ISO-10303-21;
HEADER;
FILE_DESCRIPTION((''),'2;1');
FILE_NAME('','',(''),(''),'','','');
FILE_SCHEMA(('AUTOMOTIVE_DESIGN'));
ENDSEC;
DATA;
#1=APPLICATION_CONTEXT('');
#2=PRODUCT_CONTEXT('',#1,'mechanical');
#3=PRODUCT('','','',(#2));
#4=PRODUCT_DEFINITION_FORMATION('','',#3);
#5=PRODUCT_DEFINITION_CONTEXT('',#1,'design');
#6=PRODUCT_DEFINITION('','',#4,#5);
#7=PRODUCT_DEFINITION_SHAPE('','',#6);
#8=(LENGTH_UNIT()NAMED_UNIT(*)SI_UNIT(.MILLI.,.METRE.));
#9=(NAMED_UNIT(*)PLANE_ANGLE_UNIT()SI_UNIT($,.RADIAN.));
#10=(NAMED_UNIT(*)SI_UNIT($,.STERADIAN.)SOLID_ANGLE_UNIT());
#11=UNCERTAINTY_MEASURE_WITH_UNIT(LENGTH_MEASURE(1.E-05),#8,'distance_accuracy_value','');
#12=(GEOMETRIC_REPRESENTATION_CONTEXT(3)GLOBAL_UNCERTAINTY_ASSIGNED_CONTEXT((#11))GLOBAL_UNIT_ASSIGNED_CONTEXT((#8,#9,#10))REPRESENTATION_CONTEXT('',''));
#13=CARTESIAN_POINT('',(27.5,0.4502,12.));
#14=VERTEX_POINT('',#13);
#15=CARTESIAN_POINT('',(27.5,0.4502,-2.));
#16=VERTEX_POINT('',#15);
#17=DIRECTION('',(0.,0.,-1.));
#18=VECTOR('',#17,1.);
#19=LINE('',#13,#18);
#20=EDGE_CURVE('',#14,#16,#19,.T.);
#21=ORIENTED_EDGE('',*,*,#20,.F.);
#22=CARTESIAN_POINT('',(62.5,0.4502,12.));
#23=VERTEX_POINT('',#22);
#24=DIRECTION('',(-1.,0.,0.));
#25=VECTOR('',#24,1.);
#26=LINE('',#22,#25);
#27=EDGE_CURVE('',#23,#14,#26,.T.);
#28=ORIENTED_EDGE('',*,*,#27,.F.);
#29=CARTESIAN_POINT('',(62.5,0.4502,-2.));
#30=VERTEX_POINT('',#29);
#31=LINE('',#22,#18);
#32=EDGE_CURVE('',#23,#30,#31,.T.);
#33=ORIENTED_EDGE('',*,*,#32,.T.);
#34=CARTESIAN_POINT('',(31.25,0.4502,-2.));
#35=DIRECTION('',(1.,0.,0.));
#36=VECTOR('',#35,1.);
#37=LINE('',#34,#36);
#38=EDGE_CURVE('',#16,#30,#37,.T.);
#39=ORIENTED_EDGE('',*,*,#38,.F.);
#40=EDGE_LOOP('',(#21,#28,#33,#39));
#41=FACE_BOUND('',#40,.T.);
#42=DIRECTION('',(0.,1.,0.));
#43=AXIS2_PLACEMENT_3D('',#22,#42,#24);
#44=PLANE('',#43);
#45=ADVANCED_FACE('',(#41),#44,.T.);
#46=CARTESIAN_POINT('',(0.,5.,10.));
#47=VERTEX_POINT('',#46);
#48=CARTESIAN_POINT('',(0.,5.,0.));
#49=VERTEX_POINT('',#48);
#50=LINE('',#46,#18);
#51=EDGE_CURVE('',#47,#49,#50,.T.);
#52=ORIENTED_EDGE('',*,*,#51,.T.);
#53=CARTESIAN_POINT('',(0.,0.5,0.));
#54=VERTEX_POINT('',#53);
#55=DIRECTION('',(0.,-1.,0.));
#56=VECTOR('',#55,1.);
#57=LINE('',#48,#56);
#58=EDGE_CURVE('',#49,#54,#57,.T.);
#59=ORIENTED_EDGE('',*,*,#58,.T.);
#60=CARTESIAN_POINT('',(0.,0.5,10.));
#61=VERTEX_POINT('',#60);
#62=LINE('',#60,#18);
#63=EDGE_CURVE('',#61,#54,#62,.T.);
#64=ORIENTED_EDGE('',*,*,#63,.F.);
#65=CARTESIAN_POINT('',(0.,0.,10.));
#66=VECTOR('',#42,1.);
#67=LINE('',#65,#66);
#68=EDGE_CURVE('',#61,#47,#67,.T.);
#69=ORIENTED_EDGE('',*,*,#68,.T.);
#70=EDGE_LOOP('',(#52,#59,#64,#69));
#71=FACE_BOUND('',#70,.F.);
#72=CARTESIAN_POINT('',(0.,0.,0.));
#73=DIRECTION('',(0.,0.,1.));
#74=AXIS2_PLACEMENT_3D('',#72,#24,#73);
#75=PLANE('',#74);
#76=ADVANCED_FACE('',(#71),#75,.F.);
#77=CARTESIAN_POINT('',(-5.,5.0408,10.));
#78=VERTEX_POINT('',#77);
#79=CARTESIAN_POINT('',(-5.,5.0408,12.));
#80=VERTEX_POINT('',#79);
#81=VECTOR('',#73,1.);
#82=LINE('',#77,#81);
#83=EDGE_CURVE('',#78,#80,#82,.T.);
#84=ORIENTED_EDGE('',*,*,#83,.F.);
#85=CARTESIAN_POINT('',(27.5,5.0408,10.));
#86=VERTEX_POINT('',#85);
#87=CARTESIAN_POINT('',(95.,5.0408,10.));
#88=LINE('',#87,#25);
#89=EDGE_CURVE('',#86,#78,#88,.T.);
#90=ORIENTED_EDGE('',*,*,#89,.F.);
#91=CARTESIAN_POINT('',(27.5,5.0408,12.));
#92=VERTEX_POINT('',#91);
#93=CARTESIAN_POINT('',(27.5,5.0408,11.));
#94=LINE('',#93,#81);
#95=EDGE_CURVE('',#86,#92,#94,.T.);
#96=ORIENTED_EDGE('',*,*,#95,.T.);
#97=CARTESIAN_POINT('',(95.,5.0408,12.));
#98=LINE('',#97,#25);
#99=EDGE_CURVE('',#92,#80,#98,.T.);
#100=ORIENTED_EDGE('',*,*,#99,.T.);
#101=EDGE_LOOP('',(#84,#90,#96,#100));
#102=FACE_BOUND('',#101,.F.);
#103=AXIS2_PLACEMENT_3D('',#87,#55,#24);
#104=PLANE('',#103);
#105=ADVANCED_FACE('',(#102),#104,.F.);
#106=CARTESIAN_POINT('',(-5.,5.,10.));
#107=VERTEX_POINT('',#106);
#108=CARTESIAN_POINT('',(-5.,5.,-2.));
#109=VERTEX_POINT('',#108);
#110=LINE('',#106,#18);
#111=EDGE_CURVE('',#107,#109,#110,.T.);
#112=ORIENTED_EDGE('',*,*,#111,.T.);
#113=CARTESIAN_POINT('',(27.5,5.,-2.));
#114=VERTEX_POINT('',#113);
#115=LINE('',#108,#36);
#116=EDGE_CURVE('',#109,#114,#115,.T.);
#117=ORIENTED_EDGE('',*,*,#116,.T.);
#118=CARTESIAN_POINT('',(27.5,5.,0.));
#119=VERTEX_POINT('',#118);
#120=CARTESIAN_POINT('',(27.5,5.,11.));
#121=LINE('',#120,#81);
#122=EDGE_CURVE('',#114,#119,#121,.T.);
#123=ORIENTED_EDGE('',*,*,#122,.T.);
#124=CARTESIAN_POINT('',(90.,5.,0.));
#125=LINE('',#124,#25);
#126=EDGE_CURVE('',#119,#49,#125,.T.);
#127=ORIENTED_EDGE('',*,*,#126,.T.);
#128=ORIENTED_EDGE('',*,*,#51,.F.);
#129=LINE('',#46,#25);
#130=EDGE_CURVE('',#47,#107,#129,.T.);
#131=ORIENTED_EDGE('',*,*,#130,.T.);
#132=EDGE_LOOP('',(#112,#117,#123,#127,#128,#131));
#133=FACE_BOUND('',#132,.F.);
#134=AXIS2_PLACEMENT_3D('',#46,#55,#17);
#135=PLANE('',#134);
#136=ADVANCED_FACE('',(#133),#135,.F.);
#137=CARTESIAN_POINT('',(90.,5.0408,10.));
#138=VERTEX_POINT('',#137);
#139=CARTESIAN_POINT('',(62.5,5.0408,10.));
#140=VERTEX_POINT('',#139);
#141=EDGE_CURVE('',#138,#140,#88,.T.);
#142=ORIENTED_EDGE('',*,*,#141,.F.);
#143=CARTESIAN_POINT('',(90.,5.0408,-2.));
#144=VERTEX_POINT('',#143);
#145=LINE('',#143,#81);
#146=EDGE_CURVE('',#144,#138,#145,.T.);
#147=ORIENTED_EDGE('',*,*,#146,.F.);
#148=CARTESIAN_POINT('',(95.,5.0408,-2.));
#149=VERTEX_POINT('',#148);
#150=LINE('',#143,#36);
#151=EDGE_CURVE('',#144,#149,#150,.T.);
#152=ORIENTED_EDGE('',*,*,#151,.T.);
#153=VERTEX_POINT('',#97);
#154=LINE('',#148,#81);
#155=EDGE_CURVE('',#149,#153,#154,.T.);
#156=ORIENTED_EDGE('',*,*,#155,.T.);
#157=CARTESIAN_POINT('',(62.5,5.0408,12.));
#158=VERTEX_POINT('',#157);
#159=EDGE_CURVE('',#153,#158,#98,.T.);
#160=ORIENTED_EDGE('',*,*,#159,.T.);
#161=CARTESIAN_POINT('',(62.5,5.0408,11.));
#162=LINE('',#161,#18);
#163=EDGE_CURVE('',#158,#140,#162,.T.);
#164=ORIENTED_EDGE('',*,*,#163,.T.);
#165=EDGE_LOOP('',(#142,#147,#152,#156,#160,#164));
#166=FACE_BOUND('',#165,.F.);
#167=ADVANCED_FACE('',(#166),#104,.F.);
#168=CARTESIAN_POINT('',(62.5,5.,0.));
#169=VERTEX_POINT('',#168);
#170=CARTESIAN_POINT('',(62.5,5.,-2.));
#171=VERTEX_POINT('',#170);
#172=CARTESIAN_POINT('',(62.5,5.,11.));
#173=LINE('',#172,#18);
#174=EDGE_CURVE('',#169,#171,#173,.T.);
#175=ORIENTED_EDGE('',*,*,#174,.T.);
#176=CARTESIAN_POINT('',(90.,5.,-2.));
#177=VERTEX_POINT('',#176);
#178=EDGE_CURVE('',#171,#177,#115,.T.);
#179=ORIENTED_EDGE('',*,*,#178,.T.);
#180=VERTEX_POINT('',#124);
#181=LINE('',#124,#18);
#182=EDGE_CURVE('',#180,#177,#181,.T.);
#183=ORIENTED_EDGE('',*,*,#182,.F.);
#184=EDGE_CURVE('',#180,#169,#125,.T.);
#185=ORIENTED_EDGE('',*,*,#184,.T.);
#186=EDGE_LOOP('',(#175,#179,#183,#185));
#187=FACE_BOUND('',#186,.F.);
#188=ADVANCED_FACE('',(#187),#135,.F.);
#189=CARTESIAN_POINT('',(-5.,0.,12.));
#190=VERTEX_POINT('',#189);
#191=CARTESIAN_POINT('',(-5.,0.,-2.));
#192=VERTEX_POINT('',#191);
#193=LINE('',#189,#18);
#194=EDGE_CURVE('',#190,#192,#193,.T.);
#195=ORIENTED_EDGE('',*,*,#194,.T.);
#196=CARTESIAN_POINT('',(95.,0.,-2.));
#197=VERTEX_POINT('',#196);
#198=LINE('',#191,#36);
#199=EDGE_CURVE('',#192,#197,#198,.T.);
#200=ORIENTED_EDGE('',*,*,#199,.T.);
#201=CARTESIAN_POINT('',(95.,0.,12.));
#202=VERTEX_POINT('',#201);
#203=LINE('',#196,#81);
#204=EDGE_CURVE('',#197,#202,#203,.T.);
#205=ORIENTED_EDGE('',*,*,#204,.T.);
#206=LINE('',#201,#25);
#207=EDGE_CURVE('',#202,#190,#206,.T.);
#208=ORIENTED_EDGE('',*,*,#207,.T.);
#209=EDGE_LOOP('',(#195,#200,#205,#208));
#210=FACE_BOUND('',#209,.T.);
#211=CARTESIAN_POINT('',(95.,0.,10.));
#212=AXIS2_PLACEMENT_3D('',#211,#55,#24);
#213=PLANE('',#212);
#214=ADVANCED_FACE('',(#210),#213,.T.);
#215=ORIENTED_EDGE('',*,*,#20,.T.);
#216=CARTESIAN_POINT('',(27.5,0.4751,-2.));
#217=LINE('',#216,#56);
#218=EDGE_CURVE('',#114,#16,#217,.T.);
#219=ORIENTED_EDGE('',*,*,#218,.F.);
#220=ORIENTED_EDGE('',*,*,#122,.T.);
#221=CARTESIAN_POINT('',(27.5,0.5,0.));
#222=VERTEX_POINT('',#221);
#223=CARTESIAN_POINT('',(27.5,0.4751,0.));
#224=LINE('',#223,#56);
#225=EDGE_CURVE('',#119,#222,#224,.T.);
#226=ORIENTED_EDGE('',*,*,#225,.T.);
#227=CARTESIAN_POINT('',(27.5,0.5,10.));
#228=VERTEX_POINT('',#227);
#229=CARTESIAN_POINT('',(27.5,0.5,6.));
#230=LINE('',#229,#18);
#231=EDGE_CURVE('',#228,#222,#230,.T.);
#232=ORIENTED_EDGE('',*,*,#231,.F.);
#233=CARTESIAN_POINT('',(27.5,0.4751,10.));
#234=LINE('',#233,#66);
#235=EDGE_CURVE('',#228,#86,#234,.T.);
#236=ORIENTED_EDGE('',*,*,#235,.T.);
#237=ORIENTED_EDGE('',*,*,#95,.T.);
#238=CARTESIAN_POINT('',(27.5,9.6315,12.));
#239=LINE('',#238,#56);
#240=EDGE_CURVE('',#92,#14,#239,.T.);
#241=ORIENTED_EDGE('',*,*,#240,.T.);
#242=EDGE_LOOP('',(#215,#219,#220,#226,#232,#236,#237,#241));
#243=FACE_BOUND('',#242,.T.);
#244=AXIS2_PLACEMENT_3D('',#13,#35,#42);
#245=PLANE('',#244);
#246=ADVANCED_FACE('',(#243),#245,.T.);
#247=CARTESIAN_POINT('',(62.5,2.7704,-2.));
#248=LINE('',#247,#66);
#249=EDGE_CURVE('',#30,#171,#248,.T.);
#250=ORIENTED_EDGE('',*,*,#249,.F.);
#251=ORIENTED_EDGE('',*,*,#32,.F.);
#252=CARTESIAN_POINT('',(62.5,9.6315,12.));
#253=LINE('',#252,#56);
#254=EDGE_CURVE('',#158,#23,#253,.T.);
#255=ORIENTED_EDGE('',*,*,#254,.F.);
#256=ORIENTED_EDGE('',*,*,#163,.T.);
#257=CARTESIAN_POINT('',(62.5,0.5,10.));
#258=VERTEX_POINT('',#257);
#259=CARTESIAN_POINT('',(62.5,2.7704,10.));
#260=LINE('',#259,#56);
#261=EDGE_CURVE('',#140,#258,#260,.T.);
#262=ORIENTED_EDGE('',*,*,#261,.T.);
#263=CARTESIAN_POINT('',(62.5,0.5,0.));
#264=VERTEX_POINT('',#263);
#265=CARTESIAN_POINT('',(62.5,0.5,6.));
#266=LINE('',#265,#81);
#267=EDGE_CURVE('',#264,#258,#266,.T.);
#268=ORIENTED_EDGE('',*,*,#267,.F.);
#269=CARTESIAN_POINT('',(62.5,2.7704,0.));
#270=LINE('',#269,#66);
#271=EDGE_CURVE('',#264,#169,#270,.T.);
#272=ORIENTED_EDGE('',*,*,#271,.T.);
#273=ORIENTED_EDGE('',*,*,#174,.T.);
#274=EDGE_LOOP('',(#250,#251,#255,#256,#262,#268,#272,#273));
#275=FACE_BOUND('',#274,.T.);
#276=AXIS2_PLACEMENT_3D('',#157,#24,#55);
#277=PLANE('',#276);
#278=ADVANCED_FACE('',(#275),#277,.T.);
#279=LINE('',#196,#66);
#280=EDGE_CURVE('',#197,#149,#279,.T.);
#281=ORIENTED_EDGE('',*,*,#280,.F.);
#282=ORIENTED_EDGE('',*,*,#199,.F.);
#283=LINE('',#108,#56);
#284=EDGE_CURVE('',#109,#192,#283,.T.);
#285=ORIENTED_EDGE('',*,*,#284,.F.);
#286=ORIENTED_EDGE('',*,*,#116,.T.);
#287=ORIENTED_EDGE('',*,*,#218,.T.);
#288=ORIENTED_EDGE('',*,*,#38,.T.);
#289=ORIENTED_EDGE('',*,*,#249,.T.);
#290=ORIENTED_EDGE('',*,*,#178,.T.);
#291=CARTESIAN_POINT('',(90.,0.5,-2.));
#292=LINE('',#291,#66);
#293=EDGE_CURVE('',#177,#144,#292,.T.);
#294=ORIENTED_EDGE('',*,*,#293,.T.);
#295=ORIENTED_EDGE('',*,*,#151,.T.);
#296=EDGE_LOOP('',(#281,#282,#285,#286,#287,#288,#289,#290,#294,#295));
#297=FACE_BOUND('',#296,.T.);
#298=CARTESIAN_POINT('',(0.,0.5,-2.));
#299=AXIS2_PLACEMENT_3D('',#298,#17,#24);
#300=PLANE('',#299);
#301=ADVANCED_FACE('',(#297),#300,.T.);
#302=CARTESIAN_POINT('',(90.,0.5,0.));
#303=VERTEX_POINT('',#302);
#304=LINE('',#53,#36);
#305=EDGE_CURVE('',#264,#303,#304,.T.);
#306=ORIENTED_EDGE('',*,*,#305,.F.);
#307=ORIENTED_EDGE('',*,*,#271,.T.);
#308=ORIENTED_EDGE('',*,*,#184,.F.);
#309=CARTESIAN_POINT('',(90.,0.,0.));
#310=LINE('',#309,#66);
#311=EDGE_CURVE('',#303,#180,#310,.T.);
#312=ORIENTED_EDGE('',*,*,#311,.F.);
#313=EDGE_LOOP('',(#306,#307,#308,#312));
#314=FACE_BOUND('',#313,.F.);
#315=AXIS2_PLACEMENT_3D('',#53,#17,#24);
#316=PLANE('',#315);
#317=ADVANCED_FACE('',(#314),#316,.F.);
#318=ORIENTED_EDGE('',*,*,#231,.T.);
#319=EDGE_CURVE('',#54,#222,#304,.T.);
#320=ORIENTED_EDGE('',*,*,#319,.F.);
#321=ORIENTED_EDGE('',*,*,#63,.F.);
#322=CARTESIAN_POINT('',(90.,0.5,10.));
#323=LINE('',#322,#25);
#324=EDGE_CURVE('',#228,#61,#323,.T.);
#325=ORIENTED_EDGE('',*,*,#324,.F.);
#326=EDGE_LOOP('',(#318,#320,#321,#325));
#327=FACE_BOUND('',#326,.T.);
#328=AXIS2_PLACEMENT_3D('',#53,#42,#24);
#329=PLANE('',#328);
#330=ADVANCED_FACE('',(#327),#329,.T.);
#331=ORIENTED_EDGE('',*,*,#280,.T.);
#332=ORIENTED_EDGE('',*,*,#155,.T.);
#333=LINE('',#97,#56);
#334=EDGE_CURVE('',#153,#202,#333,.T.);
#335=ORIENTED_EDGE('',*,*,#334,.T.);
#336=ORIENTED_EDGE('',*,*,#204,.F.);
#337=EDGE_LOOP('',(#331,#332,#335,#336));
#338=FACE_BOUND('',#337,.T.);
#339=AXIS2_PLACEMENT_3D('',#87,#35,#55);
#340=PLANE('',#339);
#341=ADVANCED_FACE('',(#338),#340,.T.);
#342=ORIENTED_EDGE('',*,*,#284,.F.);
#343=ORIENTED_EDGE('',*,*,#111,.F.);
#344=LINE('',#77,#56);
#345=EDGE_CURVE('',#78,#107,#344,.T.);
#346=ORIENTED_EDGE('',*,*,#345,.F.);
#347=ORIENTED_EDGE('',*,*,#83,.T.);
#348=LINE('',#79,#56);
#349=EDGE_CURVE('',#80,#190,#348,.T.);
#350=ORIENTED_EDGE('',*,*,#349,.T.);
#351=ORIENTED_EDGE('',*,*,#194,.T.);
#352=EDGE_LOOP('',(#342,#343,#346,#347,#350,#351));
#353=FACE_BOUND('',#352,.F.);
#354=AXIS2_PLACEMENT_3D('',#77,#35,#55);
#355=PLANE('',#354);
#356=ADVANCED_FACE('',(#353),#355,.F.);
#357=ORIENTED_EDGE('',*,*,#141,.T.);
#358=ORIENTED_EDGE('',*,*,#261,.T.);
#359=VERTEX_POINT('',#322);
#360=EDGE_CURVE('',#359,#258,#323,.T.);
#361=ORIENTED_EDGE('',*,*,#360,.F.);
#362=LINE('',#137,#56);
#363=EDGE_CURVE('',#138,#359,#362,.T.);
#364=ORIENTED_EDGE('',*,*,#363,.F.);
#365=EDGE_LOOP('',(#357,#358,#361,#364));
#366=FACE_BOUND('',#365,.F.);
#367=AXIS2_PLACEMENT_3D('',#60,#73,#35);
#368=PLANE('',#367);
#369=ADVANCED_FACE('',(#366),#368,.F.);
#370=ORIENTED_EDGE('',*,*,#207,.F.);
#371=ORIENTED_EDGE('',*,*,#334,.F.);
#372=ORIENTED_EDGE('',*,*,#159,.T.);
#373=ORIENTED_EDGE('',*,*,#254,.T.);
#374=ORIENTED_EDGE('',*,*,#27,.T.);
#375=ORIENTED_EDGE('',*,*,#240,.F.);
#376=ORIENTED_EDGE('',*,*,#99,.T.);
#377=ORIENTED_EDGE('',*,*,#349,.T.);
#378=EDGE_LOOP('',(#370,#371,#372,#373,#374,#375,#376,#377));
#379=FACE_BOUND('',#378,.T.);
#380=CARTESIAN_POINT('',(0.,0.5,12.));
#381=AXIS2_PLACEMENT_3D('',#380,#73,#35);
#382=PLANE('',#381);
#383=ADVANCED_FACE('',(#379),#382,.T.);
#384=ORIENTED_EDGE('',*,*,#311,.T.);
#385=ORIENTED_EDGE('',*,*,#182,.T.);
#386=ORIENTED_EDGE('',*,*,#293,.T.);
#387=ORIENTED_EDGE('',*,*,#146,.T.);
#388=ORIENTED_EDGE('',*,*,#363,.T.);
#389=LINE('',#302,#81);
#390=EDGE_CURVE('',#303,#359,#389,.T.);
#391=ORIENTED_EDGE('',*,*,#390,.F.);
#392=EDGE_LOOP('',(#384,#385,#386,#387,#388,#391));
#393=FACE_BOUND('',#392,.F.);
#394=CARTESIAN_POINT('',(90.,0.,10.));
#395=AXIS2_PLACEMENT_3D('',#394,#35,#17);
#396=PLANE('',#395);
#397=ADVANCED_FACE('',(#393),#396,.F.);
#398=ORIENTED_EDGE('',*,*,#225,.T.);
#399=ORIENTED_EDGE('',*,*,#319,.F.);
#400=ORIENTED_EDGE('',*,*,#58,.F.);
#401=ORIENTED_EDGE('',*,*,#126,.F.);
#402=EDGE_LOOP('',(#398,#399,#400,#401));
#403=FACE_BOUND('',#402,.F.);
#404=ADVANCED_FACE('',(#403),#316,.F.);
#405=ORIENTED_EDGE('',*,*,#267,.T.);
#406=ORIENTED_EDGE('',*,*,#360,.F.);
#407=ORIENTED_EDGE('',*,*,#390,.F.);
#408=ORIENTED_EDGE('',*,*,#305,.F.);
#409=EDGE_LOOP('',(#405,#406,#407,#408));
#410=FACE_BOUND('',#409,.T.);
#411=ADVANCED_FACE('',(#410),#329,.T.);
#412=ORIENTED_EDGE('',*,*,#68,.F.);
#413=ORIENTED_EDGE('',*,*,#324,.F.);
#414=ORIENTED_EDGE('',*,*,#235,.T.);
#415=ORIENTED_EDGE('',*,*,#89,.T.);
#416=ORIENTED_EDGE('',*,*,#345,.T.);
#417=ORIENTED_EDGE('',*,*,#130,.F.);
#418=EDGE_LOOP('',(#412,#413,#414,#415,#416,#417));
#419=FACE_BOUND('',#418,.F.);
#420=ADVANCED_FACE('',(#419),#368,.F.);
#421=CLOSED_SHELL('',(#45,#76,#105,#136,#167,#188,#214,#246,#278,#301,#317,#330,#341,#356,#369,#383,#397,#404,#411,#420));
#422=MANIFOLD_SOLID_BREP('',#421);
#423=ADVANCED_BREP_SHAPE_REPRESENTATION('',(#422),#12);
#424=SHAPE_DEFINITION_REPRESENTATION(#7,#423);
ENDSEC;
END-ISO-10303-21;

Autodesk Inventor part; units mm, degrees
ref_plane "YZ Plane" through (0, 0, 0) normal (1, 0, 0) x (0, 1, 0)
ref_plane "XZ Plane" through (0, 0, 0) normal (0, 1, 0) x (-1, 0, 0)
ref_plane "XY Plane" through (0, 0, 0) normal (0, 0, 1) x (1, 0, 0)
sketch "スケッチ1" plane through (0, 0, 0) normal (0, 1, 0) x (-1, 0, 0)
  line L0 (0, 0) -> (-90, 0)
  line L1 (-90, 0) -> (-90, 10)
  line L2 (-90, 10) -> (0, 10)
  line L3 (0, 10) -> (0, 0)
  dimension "d0" = 90
  dimension "d1" = 10
extrude "押し出し1" add sketch "スケッチ1" along normal blind 0.5
sketch "スケッチ2" plane through (0, 0, 0) normal (-1, 0, 0) x (0, 0, 1)
  line L0 (10, 0) -> (0, 0) projected
  line L1 (10, 0) -> (10, 0.5) projected
  line L2 (0, 0.5) -> (10, 0.5) projected
  line L3 (0, 0) -> (0, 0.5) projected
  line L4 (0, 0) -> (10, 0)
  line L5 (10, 0) -> (10, 5)
  line L6 (10, 5) -> (0, 5)
  line L7 (0, 5) -> (0, 0)
  dimension "d4" = 5
extrude "押し出し2" add sketch "スケッチ2" along normal blind 5 contours L2 L7 L6 L5
sketch "スケッチ3" plane through (0, 0, 0) normal (-1, 0, 0) x (0, 0, 1)
  line L0 (10, 0) -> (0, 0) projected
  line L1 (10, 0) -> (10, 0.5) projected
  line L2 (0, 0.5) -> (10, 0.5) projected
  line L3 (0, 0) -> (0, 0.5) projected
extrude "押し出し3" add sketch "スケッチ3" along normal blind 5
sketch "スケッチ4" plane through (90, 0, 10) normal (1, 0, 0) x (0, 0, -1)
  line L0 (0, 0) -> (10, 0)
  line L1 (10, 0) -> (10, 5.0408)
  line L2 (10, 5.0408) -> (0, 5.0408)
  line L3 (0, 5.0408) -> (0, 0)
extrude "押し出し4" add sketch "スケッチ4" along normal blind 5
sketch "スケッチ5" plane through (0, 0.5, 0) normal (0, 0, -1) x (-1, 0, 0)
  line L0 (5, -0.5) -> (-95, -0.5) projected
  line L1 (5, 4.5) -> (5, -0.5) projected
  line L2 (0, 4.5) -> (5, 4.5) projected
  line L3 (0, 4.5) -> (0, 0) projected
  line L4 (-90, 0) -> (0, 0) projected
  line L5 (-90, 0) -> (-90, 4.5408) projected
  line L6 (-90, 4.5408) -> (-95, 4.5408) projected
  line L7 (-95, -0.5) -> (-95, 4.5408) projected
  line L8 (-95, -0.5) -> (5, -0.5)
  line L9 (5, -0.5) -> (5, 4.5)
  line L10 (5, 4.5) -> (-95, 4.5)
  line L11 (-95, 4.5) -> (-95, -0.5)
  point P0 (0, -0.5)
extrude "押し出し5" add sketch "スケッチ5" along normal blind 2
sketch "スケッチ6" plane through (0, 0.5, 10) normal (0, 0, 1) x (1, 0, 0)
  line L0 (95, -0.5) -> (-5, -0.5) projected
  line L1 (95, 4.5408) -> (95, -0.5) projected
  line L2 (-5, -0.5) -> (95, -0.5)
  line L3 (95, -0.5) -> (95, 4.5408)
  line L4 (95, 4.5408) -> (-5, 4.5408)
  line L5 (-5, 4.5408) -> (-5, -0.5)
  point P0 (0, -0.5)
extrude "押し出し6" add sketch "スケッチ6" along normal blind 2
sketch "スケッチ7" plane through (90, 5.0408, -2) normal (0, 1, 0) x (1, 0, 0)
  line L0 (0, -12) -> (0, 0) projected
  line L1 (0, -12) -> (-95, -12) projected
  line L2 (-95, -12) -> (-95, -14) projected
  line L3 (5, -14) -> (-95, -14) projected
  line L4 (5, -14) -> (5, 0) projected
  line L5 (0, 0) -> (5, 0) projected
  point P0 (-90, -2)
sketch "スケッチ8" plane through (0, 0.5, 12) normal (0, 0, 1) x (1, 0, 0)
  line L0 (95, 4.5408) -> (-5, 4.5408) projected
  line L1 (27.5, 9.1315) -> (62.5, 9.1315)
  line L2 (62.5, 9.1315) -> (62.5, -0.0498)
  line L3 (62.5, -0.0498) -> (27.5, -0.0498)
  line L4 (27.5, -0.0498) -> (27.5, 9.1315)
  line L5 (27.5, 9.1315) -> (62.5, -0.0498) construction
  line L6 (62.5, 9.1315) -> (27.5, -0.0498) construction
  point P0 (0, -0.5)
  point P1 (45, 4.5408)
  dimension "d15" = 35
extrude "押し出し7" cut sketch "スケッチ8" against normal blind 20
properties part number "知能ロボコン砲台スペーサ高さ"
